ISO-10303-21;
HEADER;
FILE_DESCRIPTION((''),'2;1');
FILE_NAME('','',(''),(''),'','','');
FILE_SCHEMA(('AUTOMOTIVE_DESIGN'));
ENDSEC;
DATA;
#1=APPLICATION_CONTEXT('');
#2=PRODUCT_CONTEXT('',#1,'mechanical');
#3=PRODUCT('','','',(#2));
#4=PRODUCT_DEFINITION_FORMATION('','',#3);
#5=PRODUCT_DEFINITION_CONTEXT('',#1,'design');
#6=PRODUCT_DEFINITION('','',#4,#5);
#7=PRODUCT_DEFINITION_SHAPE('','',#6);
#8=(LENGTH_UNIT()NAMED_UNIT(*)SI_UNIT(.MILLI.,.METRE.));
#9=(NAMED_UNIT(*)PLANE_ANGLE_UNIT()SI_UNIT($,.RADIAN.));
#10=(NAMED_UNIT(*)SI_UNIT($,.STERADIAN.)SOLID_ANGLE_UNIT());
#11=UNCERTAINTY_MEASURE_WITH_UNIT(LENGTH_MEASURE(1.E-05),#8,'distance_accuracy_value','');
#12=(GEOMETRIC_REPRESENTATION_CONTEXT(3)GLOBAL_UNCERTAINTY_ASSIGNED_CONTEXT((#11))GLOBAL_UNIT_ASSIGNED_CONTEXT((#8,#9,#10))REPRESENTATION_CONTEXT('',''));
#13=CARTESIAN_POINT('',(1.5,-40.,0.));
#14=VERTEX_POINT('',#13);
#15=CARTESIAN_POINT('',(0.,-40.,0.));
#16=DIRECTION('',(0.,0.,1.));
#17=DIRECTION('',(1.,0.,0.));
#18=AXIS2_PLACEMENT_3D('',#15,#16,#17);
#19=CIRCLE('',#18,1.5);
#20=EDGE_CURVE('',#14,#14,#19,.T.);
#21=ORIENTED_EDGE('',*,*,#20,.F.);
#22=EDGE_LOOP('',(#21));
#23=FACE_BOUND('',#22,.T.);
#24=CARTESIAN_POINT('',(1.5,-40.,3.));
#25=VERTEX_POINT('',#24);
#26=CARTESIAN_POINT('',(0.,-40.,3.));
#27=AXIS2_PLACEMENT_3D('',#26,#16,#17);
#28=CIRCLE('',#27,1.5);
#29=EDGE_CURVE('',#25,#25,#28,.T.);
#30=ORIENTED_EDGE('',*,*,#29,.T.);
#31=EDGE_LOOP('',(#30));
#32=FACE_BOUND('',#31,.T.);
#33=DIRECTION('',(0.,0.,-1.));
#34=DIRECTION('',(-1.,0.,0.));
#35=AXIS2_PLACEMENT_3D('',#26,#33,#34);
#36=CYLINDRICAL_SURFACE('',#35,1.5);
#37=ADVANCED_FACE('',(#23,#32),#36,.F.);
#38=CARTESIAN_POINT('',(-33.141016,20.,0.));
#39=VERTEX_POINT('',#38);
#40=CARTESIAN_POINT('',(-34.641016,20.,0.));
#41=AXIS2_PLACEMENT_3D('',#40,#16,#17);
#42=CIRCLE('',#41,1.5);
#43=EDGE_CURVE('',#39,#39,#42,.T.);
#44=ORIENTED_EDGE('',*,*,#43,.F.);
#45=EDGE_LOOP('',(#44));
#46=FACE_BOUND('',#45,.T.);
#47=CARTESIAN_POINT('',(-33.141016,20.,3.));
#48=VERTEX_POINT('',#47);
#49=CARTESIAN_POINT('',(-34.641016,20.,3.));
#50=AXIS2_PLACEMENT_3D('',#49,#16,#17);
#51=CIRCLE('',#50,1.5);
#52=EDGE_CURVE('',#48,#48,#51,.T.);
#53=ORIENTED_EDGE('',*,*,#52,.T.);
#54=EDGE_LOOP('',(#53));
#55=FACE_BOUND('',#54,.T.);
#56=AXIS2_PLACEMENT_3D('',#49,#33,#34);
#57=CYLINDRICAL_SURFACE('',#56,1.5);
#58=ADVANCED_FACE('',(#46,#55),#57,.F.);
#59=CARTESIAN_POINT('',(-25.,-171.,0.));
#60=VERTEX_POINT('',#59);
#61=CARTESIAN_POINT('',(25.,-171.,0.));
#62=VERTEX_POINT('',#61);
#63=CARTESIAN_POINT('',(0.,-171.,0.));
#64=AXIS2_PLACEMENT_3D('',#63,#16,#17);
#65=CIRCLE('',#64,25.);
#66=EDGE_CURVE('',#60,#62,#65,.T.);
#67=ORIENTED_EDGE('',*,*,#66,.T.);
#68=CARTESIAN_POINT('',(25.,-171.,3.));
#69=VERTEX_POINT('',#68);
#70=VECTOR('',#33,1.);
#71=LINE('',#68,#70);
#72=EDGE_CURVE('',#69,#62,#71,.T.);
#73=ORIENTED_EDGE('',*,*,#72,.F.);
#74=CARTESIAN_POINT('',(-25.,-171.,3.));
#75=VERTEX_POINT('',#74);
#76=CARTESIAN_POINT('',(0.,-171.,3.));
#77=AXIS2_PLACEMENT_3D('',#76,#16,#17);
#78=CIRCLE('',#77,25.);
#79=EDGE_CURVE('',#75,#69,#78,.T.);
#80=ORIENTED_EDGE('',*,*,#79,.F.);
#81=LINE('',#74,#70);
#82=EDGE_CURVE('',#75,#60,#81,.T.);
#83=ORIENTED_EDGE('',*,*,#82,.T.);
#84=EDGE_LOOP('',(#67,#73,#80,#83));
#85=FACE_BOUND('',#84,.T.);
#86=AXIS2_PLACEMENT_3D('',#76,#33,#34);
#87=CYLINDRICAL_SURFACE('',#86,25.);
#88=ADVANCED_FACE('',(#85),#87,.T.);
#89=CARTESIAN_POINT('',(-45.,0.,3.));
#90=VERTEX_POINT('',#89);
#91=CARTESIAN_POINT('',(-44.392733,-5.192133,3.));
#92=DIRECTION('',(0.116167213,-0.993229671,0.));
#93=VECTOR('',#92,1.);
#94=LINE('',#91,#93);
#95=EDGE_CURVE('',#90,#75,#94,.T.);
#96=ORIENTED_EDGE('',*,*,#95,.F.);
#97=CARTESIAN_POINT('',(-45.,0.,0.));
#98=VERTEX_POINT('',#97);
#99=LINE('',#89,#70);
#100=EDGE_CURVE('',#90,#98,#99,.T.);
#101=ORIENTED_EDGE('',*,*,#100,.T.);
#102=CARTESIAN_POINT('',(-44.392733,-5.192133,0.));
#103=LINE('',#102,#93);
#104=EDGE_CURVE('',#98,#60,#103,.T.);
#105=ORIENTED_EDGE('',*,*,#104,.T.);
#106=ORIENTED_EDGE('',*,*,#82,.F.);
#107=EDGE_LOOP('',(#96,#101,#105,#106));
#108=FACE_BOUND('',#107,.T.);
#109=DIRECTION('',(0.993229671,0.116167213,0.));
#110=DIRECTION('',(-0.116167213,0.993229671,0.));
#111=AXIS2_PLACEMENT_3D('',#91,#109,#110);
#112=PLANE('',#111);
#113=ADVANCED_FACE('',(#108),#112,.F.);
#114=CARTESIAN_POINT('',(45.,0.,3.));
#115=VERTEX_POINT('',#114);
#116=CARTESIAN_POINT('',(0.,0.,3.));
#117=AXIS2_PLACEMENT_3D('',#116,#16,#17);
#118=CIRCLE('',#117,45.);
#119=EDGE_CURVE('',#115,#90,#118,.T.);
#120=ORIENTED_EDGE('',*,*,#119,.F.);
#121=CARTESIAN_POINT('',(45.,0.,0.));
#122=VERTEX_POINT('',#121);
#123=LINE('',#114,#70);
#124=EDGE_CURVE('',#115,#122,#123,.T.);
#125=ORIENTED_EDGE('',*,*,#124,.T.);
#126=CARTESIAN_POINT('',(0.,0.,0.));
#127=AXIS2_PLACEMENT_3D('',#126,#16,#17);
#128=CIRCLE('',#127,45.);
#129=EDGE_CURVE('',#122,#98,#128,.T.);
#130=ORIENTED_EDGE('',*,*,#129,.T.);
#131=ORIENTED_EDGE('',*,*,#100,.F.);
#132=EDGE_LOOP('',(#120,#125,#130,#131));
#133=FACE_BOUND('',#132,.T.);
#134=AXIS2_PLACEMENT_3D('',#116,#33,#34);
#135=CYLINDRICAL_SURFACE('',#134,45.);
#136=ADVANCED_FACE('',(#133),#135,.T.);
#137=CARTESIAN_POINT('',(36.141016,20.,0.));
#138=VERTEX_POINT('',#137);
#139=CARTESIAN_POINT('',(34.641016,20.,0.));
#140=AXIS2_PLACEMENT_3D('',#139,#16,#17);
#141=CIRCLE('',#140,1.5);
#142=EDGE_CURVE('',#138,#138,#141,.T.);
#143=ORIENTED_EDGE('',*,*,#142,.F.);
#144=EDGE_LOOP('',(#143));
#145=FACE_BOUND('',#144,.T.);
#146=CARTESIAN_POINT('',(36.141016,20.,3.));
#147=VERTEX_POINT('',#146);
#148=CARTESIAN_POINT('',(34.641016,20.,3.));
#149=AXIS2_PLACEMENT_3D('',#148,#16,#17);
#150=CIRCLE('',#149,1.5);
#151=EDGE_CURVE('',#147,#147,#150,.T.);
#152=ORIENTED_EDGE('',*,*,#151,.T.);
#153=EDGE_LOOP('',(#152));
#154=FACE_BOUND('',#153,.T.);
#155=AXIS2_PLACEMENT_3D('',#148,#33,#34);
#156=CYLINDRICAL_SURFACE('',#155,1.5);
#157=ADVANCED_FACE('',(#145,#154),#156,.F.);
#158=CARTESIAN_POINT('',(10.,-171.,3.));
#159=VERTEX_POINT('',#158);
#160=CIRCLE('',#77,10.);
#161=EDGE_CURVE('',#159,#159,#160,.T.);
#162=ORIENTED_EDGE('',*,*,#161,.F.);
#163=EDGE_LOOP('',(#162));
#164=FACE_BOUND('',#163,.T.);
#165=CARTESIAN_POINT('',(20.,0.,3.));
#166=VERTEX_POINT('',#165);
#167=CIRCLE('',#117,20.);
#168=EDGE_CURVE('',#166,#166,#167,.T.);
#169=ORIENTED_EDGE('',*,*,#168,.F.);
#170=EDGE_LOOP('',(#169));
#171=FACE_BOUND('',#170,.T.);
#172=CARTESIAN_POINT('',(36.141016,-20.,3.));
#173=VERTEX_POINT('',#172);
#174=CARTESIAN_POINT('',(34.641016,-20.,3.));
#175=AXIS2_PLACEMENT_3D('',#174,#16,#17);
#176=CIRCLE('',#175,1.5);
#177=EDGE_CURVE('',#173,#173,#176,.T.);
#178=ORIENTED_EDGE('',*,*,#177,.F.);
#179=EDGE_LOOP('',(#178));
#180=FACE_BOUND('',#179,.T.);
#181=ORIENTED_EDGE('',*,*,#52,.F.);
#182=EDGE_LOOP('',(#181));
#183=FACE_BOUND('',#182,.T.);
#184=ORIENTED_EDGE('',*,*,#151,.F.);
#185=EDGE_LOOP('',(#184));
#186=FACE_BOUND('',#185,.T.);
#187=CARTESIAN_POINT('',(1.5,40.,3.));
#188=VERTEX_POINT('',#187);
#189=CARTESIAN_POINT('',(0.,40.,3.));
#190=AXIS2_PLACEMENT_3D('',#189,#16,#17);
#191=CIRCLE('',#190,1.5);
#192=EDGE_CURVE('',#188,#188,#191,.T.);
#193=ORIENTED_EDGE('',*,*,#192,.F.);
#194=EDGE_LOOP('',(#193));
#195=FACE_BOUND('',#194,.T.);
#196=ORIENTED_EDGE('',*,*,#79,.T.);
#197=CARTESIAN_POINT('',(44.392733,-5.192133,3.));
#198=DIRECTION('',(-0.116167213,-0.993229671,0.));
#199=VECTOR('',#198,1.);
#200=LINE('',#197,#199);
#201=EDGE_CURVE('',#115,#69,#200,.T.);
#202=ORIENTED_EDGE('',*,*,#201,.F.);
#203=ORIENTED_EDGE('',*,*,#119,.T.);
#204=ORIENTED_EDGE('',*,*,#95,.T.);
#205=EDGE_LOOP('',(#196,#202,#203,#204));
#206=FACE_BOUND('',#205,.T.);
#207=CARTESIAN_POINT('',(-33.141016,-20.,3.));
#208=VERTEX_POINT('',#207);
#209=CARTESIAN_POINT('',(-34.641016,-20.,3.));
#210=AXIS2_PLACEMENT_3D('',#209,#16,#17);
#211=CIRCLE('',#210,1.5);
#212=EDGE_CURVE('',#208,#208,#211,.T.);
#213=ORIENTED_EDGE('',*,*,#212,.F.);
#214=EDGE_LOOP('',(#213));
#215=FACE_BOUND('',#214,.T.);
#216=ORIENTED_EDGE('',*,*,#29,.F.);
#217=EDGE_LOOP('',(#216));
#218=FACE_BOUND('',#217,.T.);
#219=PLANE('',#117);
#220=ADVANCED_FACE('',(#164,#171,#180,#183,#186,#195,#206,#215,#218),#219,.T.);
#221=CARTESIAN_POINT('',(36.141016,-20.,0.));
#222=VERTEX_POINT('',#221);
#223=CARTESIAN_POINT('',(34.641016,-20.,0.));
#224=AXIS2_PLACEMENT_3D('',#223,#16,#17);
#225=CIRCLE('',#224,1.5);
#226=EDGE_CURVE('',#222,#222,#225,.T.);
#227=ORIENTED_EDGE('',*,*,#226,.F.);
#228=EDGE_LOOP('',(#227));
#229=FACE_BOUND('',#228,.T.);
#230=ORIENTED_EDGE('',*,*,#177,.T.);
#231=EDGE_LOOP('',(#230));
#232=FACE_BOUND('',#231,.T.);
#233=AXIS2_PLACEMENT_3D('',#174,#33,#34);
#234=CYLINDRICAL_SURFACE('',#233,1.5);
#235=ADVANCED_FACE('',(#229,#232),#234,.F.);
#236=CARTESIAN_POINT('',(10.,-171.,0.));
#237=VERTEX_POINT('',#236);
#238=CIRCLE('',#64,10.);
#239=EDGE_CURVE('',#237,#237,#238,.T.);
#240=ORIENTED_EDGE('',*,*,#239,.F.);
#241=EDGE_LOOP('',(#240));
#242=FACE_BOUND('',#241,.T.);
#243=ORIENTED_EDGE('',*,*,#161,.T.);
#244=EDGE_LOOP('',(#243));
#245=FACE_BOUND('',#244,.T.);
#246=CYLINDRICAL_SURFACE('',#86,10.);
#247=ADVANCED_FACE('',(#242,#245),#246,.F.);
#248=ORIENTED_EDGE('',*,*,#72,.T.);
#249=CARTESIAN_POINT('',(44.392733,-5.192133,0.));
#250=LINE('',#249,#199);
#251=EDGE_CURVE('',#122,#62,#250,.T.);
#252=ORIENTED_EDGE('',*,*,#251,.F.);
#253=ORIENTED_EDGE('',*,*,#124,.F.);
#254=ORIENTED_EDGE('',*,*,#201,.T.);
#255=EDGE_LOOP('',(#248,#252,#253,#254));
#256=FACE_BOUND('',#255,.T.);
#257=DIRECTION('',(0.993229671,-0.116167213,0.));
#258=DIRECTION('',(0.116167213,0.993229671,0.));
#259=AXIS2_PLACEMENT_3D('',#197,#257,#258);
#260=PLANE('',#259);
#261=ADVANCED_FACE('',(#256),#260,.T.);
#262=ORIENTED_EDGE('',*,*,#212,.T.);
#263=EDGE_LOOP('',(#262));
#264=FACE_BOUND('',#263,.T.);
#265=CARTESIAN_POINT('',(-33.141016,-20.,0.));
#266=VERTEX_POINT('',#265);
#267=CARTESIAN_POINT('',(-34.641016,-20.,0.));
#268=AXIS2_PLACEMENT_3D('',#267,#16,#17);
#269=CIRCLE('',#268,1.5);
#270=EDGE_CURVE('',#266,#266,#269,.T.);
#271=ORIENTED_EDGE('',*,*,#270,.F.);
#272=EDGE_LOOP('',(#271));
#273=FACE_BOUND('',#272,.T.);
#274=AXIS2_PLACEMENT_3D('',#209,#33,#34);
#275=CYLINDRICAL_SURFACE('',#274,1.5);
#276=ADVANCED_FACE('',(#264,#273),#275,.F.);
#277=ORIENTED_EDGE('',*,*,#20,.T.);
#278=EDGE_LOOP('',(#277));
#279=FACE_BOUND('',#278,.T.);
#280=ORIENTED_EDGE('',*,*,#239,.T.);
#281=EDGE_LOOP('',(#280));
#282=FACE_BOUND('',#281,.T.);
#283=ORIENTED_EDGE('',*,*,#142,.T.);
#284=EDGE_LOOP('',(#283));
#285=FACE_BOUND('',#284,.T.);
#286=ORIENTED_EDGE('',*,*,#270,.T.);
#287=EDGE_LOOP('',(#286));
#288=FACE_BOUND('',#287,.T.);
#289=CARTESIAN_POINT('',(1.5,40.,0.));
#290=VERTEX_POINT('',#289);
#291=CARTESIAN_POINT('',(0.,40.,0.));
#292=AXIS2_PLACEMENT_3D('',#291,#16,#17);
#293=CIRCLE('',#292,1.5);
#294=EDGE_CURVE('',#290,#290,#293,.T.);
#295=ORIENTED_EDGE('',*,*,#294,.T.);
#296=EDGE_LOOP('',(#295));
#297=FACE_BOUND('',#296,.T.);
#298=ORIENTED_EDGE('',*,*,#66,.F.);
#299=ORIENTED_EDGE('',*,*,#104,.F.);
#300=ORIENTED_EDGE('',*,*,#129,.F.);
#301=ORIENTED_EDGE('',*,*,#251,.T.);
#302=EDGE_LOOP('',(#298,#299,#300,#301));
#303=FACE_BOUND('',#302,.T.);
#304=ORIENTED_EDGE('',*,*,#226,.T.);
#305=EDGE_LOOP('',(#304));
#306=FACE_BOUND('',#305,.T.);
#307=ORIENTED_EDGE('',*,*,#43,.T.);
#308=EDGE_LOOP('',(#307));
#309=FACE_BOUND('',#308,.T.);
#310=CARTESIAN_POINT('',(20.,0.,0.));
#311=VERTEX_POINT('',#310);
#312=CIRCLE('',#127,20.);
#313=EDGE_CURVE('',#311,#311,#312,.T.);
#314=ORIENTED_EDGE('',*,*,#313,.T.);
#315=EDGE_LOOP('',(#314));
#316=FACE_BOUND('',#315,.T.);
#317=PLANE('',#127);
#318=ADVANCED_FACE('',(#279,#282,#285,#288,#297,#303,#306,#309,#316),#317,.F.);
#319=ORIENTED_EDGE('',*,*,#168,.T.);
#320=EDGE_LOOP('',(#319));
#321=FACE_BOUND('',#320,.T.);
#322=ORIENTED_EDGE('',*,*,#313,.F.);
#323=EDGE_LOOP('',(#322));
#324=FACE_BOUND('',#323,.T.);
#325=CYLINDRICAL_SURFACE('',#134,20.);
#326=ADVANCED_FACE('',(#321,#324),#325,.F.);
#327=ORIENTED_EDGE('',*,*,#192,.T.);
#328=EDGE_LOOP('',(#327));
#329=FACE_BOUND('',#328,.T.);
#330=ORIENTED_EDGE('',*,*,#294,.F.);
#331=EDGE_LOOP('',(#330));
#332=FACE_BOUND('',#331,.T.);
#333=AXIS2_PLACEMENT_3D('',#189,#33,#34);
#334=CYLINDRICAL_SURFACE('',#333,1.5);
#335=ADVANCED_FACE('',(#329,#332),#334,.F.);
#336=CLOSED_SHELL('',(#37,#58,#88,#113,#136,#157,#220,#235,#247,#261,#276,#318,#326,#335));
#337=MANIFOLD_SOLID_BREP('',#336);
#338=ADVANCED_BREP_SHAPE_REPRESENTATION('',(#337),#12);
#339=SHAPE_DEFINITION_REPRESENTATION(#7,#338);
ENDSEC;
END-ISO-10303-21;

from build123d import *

# Parameters (mm, degrees)
SKETCH1_R           = 10
SKETCH1_R_2         = 1.5
SKETCH1_R_3         = 20
BOSS_EXTRUDE1_DEPTH = 3


with BuildPart() as part:
    # Sketch1 → Boss-Extrude1 (new body)
    with BuildSketch(Plane.XY):
        with BuildLine():
            ThreePointArc((45, 0), (0, 45), (-45, 0))
            Line((-45, 0), (-43.785466077, -10.384265038))
            Line((-43.785466077, -10.384265038), (-25, -171))
            ThreePointArc((-25, -171), (0, -196), (25, -171))
            Line((25, -171), (43.785466077, -10.384265038))
            Line((43.785466077, -10.384265038), (45, 0))
        make_face()
        with Locations((0, -171)):
            Circle(SKETCH1_R, mode=Mode.SUBTRACT)
        with Locations((-34.641016151, -20)):
            Circle(SKETCH1_R_2, mode=Mode.SUBTRACT)
        with Locations((0, -40)):
            Circle(SKETCH1_R_2, mode=Mode.SUBTRACT)
        with Locations((-34.641016151, 20)):
            Circle(SKETCH1_R_2, mode=Mode.SUBTRACT)
        Circle(SKETCH1_R_3, mode=Mode.SUBTRACT)
        with Locations((0, 40)):
            Circle(SKETCH1_R_2, mode=Mode.SUBTRACT)
        with Locations((34.641016151, -20)):
            Circle(SKETCH1_R_2, mode=Mode.SUBTRACT)
        with Locations((34.641016151, 20)):
            Circle(SKETCH1_R_2, mode=Mode.SUBTRACT)
    extrude(amount=BOSS_EXTRUDE1_DEPTH)


solid = part.part
